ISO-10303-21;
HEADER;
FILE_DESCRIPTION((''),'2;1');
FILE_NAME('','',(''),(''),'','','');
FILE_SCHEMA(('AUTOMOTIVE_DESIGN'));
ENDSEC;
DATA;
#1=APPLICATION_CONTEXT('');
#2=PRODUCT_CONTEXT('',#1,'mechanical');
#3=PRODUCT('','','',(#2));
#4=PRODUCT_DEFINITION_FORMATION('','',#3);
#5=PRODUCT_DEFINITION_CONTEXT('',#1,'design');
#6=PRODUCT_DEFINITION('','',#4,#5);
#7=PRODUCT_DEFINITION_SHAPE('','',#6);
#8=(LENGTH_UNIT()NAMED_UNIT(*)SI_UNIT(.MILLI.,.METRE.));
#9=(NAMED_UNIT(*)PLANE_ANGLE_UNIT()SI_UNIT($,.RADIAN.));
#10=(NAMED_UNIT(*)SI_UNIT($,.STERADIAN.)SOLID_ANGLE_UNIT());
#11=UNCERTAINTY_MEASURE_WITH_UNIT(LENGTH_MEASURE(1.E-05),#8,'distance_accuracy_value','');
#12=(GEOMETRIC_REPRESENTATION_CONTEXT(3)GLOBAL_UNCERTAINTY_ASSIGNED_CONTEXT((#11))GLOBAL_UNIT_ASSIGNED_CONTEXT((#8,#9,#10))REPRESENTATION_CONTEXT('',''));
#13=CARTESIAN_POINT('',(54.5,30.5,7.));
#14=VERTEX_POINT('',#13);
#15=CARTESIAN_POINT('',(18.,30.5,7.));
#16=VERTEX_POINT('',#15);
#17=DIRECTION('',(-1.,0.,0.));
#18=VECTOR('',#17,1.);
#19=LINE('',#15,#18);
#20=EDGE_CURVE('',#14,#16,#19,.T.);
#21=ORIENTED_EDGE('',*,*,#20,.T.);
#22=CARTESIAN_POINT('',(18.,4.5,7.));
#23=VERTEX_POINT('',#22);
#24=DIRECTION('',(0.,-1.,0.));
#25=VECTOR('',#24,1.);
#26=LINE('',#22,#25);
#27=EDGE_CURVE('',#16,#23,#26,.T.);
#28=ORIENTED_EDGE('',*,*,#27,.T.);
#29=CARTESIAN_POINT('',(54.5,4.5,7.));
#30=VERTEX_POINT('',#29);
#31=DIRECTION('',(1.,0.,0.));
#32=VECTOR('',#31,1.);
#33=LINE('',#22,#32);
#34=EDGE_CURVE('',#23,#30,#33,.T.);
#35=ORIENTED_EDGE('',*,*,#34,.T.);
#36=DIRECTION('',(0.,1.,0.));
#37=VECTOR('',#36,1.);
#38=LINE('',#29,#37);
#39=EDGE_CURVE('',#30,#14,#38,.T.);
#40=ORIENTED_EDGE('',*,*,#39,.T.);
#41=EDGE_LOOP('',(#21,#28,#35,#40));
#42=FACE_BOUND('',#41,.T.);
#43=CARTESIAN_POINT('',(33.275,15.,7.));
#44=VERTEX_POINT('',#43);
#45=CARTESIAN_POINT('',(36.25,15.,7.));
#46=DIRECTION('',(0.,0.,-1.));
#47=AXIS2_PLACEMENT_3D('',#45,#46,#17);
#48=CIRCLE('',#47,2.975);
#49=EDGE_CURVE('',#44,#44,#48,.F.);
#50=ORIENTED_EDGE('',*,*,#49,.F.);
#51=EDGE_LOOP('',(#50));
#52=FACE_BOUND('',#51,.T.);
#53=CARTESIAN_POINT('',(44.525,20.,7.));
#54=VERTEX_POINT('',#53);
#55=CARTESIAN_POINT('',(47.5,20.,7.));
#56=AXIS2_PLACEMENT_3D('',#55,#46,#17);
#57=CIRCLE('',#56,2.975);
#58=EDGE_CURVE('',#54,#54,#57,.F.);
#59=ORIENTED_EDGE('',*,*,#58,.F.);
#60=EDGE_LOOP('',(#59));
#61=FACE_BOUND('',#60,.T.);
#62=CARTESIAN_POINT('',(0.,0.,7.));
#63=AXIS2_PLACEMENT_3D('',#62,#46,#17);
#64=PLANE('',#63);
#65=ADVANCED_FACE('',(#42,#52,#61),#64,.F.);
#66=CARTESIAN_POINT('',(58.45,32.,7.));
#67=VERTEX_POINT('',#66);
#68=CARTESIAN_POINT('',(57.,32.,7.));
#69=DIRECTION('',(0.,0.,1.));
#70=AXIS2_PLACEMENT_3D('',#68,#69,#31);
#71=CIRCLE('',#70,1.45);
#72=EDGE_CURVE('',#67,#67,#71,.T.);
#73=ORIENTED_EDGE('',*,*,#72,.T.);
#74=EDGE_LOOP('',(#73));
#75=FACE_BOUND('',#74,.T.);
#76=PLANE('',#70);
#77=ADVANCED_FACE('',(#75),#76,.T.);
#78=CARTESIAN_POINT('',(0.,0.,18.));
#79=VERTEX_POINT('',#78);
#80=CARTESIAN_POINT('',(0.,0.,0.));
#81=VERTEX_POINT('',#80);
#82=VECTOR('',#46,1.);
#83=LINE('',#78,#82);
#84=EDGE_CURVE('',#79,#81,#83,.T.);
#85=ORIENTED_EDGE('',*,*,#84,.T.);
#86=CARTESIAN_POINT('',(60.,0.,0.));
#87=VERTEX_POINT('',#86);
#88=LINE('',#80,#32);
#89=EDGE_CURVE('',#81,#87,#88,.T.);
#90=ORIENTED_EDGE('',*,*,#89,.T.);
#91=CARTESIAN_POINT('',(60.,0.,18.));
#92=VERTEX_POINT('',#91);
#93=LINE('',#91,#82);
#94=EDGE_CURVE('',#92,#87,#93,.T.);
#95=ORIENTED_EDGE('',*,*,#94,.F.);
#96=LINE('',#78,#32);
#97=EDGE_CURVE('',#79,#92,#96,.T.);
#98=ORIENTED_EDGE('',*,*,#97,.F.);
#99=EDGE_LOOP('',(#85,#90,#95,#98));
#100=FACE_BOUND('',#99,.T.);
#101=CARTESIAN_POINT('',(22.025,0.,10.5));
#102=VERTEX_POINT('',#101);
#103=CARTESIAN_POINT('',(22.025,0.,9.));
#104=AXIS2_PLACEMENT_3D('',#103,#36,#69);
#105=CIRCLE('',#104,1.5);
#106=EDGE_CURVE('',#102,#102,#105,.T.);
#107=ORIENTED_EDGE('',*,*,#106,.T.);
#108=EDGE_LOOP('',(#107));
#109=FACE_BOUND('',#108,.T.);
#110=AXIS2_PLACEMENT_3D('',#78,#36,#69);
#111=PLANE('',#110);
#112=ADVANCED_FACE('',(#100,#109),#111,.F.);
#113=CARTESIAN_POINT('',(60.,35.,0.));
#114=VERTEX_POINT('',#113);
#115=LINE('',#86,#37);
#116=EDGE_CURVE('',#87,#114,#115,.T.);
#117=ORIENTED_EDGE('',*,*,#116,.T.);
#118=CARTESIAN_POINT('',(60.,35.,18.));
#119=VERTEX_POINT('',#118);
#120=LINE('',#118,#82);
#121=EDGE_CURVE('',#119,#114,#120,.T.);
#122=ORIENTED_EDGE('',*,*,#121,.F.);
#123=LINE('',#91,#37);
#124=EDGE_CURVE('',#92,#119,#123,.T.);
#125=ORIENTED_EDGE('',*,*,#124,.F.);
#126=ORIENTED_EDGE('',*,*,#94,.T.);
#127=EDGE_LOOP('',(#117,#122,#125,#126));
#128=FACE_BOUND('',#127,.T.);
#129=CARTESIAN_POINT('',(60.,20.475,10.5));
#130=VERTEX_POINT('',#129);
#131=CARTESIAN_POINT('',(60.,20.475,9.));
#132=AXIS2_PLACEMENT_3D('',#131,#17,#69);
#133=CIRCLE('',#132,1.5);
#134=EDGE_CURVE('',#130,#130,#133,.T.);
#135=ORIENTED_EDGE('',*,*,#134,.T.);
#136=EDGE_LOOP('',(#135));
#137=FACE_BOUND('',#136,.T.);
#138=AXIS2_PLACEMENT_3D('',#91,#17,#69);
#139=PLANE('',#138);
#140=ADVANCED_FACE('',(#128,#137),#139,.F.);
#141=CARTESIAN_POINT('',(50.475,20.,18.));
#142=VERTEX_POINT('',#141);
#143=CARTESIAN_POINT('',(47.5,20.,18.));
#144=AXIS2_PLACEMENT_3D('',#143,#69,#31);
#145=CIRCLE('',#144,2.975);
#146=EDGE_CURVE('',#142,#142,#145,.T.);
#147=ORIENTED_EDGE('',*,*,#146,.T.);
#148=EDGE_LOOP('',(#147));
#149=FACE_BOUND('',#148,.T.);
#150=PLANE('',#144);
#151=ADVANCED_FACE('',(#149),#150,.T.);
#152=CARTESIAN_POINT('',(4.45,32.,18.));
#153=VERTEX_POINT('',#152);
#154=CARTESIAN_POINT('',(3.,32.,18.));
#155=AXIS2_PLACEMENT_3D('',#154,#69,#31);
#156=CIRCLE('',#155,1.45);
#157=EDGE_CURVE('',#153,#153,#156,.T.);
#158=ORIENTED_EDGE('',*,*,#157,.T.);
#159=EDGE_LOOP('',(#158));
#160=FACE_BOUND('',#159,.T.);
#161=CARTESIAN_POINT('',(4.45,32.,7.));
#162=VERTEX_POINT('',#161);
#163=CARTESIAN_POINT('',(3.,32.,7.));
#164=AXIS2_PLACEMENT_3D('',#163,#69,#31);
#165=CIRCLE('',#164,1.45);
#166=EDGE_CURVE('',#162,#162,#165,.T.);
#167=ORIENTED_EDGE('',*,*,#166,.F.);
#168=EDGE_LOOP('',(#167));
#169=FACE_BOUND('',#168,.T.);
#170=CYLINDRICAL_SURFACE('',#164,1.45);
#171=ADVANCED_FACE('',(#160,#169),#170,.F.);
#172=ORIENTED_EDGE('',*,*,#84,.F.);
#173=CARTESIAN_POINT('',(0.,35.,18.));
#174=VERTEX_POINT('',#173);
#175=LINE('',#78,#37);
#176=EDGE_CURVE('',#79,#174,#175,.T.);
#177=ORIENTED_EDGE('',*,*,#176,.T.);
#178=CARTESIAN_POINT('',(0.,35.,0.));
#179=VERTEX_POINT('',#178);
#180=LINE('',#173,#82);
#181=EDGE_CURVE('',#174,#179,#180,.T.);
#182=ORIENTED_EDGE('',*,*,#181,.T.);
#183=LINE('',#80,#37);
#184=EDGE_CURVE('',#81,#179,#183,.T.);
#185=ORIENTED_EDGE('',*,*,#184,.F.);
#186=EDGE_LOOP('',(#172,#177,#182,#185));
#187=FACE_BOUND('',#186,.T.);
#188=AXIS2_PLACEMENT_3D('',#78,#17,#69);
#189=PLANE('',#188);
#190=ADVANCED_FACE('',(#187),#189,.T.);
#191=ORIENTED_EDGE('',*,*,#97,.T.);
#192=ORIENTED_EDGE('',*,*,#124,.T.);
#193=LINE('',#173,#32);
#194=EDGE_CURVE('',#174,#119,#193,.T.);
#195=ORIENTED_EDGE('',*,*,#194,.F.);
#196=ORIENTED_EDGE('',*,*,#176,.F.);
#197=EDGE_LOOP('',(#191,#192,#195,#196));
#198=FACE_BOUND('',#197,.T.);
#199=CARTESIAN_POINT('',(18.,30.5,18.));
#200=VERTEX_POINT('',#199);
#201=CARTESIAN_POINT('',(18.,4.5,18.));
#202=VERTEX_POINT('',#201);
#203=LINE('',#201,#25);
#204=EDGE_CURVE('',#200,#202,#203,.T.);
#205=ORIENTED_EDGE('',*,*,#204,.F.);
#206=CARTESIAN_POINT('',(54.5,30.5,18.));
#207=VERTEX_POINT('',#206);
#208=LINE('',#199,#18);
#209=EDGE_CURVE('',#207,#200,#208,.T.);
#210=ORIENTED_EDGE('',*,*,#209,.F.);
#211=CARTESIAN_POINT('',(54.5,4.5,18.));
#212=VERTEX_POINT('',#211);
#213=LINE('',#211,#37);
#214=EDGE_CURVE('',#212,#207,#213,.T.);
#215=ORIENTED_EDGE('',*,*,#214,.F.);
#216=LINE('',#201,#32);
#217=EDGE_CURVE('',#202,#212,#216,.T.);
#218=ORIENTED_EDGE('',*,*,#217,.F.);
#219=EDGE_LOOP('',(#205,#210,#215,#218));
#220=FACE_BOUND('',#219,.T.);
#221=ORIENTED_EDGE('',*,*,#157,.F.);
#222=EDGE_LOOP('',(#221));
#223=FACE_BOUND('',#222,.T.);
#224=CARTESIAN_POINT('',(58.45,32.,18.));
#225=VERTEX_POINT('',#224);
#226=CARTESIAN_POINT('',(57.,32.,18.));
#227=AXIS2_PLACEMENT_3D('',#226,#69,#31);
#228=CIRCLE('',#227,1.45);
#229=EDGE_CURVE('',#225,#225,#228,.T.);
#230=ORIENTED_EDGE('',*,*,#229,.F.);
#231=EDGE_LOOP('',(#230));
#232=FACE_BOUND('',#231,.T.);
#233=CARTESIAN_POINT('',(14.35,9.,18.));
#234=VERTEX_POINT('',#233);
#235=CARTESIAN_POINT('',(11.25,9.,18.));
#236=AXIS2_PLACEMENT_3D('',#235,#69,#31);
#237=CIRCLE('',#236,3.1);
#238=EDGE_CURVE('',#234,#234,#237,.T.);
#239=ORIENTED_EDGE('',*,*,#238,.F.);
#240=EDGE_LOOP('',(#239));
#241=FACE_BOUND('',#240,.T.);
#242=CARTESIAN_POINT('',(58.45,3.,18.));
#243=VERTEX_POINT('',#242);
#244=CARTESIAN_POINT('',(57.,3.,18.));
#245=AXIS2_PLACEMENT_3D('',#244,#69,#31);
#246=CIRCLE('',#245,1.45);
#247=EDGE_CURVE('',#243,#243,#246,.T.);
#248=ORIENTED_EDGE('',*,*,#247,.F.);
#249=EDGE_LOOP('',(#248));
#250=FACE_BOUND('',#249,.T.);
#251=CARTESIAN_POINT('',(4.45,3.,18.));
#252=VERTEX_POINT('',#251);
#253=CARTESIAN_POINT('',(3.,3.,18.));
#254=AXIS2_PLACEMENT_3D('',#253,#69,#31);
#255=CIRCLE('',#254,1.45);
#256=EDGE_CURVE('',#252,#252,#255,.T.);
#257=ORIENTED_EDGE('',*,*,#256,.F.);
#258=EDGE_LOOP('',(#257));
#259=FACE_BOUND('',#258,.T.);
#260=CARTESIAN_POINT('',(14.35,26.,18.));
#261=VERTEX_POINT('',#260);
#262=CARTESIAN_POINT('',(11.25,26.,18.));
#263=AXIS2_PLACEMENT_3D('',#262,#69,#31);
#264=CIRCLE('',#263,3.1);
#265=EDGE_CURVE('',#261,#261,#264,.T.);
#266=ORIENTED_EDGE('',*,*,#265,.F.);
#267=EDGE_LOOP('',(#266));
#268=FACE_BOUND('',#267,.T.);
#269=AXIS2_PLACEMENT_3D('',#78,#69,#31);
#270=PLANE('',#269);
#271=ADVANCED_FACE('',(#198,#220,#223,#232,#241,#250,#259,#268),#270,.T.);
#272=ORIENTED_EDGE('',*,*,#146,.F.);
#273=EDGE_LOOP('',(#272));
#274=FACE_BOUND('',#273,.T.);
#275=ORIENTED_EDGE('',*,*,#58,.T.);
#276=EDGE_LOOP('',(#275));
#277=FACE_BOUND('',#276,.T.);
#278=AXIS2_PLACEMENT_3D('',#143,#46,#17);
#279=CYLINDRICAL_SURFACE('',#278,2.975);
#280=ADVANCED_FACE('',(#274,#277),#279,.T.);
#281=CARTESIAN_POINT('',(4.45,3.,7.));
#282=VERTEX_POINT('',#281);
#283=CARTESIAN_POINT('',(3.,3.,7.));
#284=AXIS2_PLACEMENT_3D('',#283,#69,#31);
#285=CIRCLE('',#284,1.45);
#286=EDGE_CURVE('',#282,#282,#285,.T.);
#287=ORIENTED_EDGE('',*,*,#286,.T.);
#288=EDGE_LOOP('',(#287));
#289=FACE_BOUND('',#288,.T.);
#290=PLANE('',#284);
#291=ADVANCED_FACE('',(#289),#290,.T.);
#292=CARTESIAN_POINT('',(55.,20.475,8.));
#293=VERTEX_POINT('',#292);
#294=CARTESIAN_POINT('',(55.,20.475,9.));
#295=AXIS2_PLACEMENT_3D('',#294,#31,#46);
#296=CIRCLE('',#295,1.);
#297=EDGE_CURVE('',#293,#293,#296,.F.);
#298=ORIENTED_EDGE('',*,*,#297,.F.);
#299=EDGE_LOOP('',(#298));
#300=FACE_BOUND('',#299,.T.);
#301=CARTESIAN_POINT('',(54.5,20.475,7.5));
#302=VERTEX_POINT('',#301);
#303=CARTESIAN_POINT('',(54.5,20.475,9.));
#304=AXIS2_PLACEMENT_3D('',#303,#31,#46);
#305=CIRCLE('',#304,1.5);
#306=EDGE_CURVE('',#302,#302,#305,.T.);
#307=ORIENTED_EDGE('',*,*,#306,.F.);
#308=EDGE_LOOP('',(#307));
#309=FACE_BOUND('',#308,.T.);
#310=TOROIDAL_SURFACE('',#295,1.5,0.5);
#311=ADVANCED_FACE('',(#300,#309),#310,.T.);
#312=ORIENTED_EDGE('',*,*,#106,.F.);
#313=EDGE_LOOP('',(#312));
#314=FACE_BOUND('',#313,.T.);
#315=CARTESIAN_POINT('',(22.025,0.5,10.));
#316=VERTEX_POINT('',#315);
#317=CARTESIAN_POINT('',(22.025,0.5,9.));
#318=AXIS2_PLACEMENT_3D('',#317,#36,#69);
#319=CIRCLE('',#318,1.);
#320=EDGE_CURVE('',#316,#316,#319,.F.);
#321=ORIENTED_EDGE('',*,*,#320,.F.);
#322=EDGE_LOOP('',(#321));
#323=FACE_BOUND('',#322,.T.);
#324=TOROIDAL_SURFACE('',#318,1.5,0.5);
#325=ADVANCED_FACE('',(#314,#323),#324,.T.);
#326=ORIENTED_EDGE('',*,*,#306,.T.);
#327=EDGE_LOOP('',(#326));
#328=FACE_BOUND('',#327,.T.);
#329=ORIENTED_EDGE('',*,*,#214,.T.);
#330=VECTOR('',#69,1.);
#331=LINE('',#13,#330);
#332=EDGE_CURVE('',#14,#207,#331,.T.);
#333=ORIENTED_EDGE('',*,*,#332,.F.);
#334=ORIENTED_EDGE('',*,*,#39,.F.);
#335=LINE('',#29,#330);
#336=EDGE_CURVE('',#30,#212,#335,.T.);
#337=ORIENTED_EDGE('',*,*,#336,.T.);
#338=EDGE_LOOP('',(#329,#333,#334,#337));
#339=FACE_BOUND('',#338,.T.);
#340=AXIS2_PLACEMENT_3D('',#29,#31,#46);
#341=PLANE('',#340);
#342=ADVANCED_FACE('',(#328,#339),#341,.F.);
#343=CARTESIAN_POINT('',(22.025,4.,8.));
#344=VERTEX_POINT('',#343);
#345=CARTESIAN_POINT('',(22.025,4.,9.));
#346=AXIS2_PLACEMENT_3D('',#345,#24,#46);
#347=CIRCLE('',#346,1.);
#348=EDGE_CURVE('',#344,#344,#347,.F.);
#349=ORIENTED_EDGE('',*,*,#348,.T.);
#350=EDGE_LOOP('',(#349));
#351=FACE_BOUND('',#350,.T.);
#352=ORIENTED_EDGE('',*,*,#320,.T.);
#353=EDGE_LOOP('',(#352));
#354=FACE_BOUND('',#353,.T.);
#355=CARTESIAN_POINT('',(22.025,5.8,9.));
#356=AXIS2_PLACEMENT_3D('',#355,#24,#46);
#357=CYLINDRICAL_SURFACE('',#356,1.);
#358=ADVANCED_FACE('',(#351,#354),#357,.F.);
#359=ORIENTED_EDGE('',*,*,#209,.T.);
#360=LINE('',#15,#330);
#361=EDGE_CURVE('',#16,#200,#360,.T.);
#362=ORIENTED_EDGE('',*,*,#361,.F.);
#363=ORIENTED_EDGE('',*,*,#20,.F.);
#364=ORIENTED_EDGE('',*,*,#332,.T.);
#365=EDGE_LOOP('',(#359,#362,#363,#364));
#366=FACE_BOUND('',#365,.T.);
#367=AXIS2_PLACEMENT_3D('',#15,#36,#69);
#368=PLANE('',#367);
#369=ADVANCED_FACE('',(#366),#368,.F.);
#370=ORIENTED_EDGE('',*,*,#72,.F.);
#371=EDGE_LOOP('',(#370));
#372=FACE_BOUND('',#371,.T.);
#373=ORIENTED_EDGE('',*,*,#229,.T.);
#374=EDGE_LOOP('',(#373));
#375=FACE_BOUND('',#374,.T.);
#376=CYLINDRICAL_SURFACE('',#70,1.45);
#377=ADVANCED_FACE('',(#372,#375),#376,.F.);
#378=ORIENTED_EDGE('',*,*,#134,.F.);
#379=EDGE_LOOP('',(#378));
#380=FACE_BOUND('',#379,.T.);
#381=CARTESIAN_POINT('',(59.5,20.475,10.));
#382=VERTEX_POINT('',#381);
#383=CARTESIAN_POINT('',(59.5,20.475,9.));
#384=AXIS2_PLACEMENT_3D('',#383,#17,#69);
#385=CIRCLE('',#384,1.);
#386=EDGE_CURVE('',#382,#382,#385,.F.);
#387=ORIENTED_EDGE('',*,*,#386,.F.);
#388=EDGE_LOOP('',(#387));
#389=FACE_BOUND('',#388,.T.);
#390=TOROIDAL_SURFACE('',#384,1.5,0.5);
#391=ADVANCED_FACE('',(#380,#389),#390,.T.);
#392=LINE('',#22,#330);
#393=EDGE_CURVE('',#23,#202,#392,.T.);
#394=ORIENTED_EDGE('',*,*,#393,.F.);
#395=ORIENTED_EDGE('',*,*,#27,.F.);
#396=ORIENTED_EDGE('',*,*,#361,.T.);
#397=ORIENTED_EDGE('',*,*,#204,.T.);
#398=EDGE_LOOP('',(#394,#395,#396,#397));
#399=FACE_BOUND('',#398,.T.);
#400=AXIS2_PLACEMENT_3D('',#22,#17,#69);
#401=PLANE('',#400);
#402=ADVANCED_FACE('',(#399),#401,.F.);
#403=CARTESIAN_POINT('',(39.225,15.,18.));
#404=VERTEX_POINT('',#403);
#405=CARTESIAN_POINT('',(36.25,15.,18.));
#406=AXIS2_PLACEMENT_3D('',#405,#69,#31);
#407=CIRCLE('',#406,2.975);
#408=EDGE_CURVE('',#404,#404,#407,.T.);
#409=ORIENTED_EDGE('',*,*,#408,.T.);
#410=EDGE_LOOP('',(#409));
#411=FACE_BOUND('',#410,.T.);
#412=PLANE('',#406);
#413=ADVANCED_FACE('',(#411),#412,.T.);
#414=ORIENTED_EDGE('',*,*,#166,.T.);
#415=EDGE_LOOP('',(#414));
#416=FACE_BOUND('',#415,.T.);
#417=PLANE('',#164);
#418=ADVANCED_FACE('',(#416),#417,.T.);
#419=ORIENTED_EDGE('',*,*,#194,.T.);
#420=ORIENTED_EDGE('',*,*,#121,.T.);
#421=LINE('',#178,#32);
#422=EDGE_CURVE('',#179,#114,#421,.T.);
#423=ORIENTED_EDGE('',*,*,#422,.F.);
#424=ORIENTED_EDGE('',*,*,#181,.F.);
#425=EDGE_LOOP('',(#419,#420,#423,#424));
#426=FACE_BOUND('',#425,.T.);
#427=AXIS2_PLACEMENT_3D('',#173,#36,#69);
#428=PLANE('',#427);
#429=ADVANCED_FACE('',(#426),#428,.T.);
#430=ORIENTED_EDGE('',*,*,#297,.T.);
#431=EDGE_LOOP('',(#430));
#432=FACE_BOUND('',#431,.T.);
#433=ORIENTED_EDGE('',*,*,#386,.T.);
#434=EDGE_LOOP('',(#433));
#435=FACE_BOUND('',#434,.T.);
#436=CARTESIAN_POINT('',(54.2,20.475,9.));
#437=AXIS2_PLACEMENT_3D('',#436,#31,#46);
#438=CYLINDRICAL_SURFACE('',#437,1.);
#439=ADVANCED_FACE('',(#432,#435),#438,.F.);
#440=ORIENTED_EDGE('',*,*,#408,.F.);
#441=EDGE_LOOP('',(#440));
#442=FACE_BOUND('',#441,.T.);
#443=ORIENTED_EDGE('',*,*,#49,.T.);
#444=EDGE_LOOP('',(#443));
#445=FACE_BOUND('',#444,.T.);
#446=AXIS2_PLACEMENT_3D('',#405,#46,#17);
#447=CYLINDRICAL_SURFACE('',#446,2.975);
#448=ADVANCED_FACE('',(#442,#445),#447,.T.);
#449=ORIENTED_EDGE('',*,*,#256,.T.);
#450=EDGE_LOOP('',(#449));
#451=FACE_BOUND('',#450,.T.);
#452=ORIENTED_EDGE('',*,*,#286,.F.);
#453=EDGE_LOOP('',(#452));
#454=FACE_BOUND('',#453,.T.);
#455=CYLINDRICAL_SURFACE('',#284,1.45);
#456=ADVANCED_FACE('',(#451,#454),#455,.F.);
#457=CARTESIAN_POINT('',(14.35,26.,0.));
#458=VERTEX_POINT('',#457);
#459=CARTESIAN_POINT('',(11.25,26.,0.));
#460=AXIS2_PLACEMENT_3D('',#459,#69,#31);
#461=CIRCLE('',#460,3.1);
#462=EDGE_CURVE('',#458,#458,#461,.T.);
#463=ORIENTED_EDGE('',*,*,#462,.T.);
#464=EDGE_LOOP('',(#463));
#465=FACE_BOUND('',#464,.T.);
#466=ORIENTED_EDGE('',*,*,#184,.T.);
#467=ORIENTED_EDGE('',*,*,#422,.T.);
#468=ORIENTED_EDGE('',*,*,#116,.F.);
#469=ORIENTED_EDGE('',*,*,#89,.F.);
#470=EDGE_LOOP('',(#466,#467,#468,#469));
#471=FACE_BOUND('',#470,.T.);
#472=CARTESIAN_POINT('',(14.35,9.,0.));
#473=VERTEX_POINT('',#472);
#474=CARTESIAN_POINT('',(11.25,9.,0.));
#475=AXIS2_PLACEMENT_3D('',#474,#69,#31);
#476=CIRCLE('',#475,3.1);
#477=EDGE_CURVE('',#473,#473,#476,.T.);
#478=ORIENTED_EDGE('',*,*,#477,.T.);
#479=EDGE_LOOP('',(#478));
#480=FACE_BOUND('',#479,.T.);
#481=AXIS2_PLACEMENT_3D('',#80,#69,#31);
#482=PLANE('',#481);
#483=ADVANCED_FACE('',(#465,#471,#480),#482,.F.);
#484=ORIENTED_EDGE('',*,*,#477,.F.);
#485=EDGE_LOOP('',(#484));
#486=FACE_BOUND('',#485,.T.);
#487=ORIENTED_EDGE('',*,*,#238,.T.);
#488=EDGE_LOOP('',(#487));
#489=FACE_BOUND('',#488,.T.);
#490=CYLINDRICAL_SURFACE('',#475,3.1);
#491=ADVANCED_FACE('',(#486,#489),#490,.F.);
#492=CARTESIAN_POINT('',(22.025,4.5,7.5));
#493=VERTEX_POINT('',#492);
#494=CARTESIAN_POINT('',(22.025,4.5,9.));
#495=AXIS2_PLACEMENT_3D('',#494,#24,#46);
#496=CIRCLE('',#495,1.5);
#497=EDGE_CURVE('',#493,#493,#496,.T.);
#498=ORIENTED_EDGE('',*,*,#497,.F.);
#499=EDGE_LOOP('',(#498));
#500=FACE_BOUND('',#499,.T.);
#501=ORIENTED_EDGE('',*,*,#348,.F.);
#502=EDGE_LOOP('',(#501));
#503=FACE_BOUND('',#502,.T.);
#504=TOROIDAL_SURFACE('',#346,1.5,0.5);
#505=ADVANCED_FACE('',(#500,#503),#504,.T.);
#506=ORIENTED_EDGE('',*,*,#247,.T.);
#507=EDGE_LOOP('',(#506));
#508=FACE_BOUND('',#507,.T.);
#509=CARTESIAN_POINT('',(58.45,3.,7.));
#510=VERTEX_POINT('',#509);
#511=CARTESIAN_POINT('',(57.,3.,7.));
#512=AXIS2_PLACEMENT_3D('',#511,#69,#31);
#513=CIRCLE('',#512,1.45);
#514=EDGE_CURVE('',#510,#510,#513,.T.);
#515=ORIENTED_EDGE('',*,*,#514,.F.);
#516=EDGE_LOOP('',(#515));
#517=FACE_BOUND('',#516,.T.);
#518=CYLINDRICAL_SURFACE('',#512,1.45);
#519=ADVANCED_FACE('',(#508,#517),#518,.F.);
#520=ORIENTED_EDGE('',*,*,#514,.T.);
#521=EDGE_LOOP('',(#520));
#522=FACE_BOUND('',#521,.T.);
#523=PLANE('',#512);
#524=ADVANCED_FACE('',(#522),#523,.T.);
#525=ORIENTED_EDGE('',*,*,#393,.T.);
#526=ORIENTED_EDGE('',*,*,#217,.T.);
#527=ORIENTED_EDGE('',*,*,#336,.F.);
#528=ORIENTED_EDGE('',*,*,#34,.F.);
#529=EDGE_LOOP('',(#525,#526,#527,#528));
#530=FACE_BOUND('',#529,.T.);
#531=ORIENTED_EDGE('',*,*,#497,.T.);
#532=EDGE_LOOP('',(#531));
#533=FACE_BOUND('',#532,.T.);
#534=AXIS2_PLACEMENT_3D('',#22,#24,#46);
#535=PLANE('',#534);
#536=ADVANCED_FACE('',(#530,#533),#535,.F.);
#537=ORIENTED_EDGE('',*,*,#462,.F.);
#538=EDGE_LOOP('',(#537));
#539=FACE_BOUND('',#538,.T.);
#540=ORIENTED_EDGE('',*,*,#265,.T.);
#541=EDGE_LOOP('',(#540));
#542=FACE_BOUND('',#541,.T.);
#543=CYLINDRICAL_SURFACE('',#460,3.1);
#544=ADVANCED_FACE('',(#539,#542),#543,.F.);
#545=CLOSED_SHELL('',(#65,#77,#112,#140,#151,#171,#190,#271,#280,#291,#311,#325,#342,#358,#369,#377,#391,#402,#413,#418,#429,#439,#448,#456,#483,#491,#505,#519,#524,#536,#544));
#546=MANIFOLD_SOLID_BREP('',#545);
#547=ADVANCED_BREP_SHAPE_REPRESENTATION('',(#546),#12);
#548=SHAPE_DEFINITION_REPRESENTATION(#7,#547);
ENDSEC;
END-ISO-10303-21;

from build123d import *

# Parameters (mm, degrees)
SKETCH1_W           = 60
SKETCH1_H           = 35
BOSS_EXTRUDE1_DEPTH = 18
SKETCH2_R           = 3.1
CUT_EXTRUDE1_DEPTH  = 18
SKETCH3_R           = 1.45
SKETCH3_W           = 36.5
SKETCH3_H           = 26
CUT_EXTRUDE2_DEPTH  = 11
SKETCH4_R           = 2.975
BOSS_EXTRUDE2_DEPTH = 11
SKETCH6_R           = 1
CUT_EXTRUDE3_DEPTH  = 5.8
SKETCH8_R           = 1
CUT_EXTRUDE4_DEPTH  = 5.8
FILLET2_R           = 0.5


with BuildPart() as part:
    # Sketch1 → Boss-Extrude1 (new body)
    with BuildSketch(Plane.XY):
        with Locations((30, 17.5)):
            Rectangle(SKETCH1_W, SKETCH1_H)
    extrude(amount=BOSS_EXTRUDE1_DEPTH)

    # Sketch2 → Cut-Extrude1 (cut)
    with BuildSketch(Plane.XY.offset(18)):
        with Locations((11.25, 26)):
            Circle(SKETCH2_R)
        with Locations((11.25, 9)):
            Circle(SKETCH2_R)
    extrude(amount=-CUT_EXTRUDE1_DEPTH, mode=Mode.SUBTRACT)

    # Sketch3 → Cut-Extrude2 (cut)
    with BuildSketch(Plane.XY.offset(18)):
        with Locations((3, 32)):
            Circle(SKETCH3_R)
        with Locations((57, 32)):
            Circle(SKETCH3_R)
        with Locations((57, 3)):
            Circle(SKETCH3_R)
        with Locations((3, 3)):
            Circle(SKETCH3_R)
        with Locations((36.25, 17.5)):
            Rectangle(SKETCH3_W, SKETCH3_H)
    extrude(amount=-CUT_EXTRUDE2_DEPTH, mode=Mode.SUBTRACT)

    # Sketch4 → Boss-Extrude2 (add)
    with BuildSketch(Plane.XY.offset(7)):
        with Locations(Location((36.25, 15, 0), (0, 0, 180))):
            Circle(SKETCH4_R)
        with Locations(Location((47.5, 20, 0), (0, 0, 180))):
            Circle(SKETCH4_R)
    extrude(amount=BOSS_EXTRUDE2_DEPTH)

    # Sketch6 → Cut-Extrude3 (cut)
    with BuildSketch(Plane(origin=(60, 0, 0), x_dir=(0, 0, -1), z_dir=(1, 0, 0))):
        with Locations((-9, 20.475)):
            Circle(SKETCH6_R)
    extrude(amount=-CUT_EXTRUDE3_DEPTH, mode=Mode.SUBTRACT)

    # Sketch8 → Cut-Extrude4 (cut)
    with BuildSketch(Plane.XZ):
        with Locations(Location((22.025, 9, 0), (0, 0, 270))):
            Circle(SKETCH8_R)
    extrude(amount=-CUT_EXTRUDE4_DEPTH, mode=Mode.SUBTRACT)

    # Fillet2
    fillet2_edges = [part.edges().sort_by_distance(p)[0] for p in [
        (54.5, 20.475, 10),
        (60, 20.475, 10),
        (22.025, 4.5, 10),
        (22.025, 0, 10),
    ]]
    fillet(fillet2_edges, radius=FILLET2_R)


solid = part.part
